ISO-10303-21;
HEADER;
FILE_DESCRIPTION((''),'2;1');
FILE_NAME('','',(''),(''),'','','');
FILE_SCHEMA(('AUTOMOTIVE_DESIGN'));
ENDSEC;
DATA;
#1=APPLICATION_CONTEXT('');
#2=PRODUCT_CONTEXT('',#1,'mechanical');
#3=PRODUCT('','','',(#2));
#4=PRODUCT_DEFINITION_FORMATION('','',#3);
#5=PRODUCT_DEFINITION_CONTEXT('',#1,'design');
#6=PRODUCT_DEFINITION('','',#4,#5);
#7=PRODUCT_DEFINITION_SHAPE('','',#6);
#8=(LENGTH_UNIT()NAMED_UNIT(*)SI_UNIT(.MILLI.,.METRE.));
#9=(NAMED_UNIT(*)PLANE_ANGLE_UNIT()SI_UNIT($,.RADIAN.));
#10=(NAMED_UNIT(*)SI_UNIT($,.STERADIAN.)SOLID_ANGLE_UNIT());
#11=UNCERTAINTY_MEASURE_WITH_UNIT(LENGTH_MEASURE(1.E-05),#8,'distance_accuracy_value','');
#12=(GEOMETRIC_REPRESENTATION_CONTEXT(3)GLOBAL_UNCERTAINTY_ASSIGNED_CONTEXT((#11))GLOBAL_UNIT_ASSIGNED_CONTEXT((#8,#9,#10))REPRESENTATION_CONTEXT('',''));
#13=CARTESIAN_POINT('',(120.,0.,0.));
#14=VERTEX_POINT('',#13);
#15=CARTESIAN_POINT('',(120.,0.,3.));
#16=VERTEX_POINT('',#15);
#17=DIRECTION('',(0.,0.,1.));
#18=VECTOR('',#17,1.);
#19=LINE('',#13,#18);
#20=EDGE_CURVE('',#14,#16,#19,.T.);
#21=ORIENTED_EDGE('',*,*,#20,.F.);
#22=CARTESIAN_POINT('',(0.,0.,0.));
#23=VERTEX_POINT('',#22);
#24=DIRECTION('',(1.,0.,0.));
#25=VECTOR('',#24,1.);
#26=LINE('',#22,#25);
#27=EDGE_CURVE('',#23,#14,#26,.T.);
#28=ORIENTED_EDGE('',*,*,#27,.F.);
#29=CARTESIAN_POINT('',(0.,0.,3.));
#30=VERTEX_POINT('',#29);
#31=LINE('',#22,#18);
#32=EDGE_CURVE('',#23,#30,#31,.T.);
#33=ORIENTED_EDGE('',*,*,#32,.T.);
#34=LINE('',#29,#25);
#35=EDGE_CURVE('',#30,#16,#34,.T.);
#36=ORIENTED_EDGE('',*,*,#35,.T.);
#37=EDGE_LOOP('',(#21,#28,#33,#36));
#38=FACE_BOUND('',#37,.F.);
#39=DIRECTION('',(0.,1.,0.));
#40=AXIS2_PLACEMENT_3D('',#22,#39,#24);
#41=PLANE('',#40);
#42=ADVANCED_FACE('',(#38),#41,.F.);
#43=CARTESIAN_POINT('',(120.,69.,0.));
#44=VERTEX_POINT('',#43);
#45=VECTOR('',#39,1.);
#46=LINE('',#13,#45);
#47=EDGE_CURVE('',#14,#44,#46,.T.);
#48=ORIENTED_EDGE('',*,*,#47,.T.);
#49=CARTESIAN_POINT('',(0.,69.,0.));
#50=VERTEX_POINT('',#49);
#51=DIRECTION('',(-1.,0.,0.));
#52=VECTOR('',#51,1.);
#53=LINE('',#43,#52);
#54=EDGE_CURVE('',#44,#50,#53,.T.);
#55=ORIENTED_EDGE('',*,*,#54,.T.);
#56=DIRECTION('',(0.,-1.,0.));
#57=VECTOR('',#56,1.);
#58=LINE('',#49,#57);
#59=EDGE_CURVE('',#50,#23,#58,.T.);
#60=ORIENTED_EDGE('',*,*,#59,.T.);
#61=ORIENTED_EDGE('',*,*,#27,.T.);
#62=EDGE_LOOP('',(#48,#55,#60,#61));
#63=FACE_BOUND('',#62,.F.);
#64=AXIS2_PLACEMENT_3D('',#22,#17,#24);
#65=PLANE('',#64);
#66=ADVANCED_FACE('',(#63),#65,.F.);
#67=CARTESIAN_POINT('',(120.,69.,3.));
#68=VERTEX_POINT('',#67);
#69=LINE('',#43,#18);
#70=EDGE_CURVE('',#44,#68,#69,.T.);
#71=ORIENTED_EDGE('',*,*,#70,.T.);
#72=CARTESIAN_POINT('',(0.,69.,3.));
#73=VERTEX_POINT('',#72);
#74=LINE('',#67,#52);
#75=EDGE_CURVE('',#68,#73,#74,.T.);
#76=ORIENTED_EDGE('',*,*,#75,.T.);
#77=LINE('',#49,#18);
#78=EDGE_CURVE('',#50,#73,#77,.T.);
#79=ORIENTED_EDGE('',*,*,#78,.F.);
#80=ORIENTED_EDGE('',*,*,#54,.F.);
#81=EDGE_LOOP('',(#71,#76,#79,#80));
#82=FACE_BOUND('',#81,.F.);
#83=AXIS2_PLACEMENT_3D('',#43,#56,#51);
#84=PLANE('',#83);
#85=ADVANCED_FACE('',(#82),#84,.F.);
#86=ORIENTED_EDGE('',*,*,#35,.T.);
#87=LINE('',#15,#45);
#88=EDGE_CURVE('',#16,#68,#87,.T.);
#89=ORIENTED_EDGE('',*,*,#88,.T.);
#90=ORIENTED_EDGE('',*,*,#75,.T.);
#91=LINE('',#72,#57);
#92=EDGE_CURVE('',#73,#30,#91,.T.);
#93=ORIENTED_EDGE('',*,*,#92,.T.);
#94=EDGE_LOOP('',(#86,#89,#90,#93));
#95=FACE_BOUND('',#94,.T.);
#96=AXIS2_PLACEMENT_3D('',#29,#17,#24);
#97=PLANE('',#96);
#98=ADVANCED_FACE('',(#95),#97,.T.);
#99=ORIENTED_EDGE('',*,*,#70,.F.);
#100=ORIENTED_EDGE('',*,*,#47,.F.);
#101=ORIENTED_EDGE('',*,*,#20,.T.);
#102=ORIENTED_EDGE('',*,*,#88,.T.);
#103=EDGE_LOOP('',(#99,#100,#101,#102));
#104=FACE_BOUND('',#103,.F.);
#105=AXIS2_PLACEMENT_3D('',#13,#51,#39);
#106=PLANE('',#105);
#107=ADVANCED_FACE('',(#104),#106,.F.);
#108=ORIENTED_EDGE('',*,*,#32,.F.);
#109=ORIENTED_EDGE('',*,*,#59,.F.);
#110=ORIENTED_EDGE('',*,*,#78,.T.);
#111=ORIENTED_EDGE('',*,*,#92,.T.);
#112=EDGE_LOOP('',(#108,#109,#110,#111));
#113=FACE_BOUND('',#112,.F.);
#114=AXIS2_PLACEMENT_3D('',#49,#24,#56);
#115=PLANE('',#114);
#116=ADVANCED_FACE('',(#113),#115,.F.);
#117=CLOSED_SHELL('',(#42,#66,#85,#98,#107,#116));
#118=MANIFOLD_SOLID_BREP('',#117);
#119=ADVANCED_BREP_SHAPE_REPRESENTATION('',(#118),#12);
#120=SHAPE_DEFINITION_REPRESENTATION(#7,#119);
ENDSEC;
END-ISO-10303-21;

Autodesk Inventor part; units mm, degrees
ref_plane "YZ Plane" through (0, 0, 0) normal (1, 0, 0) x (0, 1, 0)
ref_plane "XZ Plane" through (0, 0, 0) normal (0, 1, 0) x (-1, 0, 0)
ref_plane "XY Plane" through (0, 0, 0) normal (0, 0, 1) x (1, 0, 0)
sketch "Sketch1" plane through (0, 0, 0) normal (0, 0, 1) x (1, 0, 0)
  line L0 (0, 0) -> (120, 0)
  line L1 (120, 0) -> (120, 69)
  line L2 (120, 69) -> (0, 69)
  line L3 (0, 69) -> (0, 0)
  dimension "d0" = 69
  dimension "d1" = 120
extrude "Extrusion1" add sketch "Sketch1" along normal blind 3
properties part number "2d mapping cover"
